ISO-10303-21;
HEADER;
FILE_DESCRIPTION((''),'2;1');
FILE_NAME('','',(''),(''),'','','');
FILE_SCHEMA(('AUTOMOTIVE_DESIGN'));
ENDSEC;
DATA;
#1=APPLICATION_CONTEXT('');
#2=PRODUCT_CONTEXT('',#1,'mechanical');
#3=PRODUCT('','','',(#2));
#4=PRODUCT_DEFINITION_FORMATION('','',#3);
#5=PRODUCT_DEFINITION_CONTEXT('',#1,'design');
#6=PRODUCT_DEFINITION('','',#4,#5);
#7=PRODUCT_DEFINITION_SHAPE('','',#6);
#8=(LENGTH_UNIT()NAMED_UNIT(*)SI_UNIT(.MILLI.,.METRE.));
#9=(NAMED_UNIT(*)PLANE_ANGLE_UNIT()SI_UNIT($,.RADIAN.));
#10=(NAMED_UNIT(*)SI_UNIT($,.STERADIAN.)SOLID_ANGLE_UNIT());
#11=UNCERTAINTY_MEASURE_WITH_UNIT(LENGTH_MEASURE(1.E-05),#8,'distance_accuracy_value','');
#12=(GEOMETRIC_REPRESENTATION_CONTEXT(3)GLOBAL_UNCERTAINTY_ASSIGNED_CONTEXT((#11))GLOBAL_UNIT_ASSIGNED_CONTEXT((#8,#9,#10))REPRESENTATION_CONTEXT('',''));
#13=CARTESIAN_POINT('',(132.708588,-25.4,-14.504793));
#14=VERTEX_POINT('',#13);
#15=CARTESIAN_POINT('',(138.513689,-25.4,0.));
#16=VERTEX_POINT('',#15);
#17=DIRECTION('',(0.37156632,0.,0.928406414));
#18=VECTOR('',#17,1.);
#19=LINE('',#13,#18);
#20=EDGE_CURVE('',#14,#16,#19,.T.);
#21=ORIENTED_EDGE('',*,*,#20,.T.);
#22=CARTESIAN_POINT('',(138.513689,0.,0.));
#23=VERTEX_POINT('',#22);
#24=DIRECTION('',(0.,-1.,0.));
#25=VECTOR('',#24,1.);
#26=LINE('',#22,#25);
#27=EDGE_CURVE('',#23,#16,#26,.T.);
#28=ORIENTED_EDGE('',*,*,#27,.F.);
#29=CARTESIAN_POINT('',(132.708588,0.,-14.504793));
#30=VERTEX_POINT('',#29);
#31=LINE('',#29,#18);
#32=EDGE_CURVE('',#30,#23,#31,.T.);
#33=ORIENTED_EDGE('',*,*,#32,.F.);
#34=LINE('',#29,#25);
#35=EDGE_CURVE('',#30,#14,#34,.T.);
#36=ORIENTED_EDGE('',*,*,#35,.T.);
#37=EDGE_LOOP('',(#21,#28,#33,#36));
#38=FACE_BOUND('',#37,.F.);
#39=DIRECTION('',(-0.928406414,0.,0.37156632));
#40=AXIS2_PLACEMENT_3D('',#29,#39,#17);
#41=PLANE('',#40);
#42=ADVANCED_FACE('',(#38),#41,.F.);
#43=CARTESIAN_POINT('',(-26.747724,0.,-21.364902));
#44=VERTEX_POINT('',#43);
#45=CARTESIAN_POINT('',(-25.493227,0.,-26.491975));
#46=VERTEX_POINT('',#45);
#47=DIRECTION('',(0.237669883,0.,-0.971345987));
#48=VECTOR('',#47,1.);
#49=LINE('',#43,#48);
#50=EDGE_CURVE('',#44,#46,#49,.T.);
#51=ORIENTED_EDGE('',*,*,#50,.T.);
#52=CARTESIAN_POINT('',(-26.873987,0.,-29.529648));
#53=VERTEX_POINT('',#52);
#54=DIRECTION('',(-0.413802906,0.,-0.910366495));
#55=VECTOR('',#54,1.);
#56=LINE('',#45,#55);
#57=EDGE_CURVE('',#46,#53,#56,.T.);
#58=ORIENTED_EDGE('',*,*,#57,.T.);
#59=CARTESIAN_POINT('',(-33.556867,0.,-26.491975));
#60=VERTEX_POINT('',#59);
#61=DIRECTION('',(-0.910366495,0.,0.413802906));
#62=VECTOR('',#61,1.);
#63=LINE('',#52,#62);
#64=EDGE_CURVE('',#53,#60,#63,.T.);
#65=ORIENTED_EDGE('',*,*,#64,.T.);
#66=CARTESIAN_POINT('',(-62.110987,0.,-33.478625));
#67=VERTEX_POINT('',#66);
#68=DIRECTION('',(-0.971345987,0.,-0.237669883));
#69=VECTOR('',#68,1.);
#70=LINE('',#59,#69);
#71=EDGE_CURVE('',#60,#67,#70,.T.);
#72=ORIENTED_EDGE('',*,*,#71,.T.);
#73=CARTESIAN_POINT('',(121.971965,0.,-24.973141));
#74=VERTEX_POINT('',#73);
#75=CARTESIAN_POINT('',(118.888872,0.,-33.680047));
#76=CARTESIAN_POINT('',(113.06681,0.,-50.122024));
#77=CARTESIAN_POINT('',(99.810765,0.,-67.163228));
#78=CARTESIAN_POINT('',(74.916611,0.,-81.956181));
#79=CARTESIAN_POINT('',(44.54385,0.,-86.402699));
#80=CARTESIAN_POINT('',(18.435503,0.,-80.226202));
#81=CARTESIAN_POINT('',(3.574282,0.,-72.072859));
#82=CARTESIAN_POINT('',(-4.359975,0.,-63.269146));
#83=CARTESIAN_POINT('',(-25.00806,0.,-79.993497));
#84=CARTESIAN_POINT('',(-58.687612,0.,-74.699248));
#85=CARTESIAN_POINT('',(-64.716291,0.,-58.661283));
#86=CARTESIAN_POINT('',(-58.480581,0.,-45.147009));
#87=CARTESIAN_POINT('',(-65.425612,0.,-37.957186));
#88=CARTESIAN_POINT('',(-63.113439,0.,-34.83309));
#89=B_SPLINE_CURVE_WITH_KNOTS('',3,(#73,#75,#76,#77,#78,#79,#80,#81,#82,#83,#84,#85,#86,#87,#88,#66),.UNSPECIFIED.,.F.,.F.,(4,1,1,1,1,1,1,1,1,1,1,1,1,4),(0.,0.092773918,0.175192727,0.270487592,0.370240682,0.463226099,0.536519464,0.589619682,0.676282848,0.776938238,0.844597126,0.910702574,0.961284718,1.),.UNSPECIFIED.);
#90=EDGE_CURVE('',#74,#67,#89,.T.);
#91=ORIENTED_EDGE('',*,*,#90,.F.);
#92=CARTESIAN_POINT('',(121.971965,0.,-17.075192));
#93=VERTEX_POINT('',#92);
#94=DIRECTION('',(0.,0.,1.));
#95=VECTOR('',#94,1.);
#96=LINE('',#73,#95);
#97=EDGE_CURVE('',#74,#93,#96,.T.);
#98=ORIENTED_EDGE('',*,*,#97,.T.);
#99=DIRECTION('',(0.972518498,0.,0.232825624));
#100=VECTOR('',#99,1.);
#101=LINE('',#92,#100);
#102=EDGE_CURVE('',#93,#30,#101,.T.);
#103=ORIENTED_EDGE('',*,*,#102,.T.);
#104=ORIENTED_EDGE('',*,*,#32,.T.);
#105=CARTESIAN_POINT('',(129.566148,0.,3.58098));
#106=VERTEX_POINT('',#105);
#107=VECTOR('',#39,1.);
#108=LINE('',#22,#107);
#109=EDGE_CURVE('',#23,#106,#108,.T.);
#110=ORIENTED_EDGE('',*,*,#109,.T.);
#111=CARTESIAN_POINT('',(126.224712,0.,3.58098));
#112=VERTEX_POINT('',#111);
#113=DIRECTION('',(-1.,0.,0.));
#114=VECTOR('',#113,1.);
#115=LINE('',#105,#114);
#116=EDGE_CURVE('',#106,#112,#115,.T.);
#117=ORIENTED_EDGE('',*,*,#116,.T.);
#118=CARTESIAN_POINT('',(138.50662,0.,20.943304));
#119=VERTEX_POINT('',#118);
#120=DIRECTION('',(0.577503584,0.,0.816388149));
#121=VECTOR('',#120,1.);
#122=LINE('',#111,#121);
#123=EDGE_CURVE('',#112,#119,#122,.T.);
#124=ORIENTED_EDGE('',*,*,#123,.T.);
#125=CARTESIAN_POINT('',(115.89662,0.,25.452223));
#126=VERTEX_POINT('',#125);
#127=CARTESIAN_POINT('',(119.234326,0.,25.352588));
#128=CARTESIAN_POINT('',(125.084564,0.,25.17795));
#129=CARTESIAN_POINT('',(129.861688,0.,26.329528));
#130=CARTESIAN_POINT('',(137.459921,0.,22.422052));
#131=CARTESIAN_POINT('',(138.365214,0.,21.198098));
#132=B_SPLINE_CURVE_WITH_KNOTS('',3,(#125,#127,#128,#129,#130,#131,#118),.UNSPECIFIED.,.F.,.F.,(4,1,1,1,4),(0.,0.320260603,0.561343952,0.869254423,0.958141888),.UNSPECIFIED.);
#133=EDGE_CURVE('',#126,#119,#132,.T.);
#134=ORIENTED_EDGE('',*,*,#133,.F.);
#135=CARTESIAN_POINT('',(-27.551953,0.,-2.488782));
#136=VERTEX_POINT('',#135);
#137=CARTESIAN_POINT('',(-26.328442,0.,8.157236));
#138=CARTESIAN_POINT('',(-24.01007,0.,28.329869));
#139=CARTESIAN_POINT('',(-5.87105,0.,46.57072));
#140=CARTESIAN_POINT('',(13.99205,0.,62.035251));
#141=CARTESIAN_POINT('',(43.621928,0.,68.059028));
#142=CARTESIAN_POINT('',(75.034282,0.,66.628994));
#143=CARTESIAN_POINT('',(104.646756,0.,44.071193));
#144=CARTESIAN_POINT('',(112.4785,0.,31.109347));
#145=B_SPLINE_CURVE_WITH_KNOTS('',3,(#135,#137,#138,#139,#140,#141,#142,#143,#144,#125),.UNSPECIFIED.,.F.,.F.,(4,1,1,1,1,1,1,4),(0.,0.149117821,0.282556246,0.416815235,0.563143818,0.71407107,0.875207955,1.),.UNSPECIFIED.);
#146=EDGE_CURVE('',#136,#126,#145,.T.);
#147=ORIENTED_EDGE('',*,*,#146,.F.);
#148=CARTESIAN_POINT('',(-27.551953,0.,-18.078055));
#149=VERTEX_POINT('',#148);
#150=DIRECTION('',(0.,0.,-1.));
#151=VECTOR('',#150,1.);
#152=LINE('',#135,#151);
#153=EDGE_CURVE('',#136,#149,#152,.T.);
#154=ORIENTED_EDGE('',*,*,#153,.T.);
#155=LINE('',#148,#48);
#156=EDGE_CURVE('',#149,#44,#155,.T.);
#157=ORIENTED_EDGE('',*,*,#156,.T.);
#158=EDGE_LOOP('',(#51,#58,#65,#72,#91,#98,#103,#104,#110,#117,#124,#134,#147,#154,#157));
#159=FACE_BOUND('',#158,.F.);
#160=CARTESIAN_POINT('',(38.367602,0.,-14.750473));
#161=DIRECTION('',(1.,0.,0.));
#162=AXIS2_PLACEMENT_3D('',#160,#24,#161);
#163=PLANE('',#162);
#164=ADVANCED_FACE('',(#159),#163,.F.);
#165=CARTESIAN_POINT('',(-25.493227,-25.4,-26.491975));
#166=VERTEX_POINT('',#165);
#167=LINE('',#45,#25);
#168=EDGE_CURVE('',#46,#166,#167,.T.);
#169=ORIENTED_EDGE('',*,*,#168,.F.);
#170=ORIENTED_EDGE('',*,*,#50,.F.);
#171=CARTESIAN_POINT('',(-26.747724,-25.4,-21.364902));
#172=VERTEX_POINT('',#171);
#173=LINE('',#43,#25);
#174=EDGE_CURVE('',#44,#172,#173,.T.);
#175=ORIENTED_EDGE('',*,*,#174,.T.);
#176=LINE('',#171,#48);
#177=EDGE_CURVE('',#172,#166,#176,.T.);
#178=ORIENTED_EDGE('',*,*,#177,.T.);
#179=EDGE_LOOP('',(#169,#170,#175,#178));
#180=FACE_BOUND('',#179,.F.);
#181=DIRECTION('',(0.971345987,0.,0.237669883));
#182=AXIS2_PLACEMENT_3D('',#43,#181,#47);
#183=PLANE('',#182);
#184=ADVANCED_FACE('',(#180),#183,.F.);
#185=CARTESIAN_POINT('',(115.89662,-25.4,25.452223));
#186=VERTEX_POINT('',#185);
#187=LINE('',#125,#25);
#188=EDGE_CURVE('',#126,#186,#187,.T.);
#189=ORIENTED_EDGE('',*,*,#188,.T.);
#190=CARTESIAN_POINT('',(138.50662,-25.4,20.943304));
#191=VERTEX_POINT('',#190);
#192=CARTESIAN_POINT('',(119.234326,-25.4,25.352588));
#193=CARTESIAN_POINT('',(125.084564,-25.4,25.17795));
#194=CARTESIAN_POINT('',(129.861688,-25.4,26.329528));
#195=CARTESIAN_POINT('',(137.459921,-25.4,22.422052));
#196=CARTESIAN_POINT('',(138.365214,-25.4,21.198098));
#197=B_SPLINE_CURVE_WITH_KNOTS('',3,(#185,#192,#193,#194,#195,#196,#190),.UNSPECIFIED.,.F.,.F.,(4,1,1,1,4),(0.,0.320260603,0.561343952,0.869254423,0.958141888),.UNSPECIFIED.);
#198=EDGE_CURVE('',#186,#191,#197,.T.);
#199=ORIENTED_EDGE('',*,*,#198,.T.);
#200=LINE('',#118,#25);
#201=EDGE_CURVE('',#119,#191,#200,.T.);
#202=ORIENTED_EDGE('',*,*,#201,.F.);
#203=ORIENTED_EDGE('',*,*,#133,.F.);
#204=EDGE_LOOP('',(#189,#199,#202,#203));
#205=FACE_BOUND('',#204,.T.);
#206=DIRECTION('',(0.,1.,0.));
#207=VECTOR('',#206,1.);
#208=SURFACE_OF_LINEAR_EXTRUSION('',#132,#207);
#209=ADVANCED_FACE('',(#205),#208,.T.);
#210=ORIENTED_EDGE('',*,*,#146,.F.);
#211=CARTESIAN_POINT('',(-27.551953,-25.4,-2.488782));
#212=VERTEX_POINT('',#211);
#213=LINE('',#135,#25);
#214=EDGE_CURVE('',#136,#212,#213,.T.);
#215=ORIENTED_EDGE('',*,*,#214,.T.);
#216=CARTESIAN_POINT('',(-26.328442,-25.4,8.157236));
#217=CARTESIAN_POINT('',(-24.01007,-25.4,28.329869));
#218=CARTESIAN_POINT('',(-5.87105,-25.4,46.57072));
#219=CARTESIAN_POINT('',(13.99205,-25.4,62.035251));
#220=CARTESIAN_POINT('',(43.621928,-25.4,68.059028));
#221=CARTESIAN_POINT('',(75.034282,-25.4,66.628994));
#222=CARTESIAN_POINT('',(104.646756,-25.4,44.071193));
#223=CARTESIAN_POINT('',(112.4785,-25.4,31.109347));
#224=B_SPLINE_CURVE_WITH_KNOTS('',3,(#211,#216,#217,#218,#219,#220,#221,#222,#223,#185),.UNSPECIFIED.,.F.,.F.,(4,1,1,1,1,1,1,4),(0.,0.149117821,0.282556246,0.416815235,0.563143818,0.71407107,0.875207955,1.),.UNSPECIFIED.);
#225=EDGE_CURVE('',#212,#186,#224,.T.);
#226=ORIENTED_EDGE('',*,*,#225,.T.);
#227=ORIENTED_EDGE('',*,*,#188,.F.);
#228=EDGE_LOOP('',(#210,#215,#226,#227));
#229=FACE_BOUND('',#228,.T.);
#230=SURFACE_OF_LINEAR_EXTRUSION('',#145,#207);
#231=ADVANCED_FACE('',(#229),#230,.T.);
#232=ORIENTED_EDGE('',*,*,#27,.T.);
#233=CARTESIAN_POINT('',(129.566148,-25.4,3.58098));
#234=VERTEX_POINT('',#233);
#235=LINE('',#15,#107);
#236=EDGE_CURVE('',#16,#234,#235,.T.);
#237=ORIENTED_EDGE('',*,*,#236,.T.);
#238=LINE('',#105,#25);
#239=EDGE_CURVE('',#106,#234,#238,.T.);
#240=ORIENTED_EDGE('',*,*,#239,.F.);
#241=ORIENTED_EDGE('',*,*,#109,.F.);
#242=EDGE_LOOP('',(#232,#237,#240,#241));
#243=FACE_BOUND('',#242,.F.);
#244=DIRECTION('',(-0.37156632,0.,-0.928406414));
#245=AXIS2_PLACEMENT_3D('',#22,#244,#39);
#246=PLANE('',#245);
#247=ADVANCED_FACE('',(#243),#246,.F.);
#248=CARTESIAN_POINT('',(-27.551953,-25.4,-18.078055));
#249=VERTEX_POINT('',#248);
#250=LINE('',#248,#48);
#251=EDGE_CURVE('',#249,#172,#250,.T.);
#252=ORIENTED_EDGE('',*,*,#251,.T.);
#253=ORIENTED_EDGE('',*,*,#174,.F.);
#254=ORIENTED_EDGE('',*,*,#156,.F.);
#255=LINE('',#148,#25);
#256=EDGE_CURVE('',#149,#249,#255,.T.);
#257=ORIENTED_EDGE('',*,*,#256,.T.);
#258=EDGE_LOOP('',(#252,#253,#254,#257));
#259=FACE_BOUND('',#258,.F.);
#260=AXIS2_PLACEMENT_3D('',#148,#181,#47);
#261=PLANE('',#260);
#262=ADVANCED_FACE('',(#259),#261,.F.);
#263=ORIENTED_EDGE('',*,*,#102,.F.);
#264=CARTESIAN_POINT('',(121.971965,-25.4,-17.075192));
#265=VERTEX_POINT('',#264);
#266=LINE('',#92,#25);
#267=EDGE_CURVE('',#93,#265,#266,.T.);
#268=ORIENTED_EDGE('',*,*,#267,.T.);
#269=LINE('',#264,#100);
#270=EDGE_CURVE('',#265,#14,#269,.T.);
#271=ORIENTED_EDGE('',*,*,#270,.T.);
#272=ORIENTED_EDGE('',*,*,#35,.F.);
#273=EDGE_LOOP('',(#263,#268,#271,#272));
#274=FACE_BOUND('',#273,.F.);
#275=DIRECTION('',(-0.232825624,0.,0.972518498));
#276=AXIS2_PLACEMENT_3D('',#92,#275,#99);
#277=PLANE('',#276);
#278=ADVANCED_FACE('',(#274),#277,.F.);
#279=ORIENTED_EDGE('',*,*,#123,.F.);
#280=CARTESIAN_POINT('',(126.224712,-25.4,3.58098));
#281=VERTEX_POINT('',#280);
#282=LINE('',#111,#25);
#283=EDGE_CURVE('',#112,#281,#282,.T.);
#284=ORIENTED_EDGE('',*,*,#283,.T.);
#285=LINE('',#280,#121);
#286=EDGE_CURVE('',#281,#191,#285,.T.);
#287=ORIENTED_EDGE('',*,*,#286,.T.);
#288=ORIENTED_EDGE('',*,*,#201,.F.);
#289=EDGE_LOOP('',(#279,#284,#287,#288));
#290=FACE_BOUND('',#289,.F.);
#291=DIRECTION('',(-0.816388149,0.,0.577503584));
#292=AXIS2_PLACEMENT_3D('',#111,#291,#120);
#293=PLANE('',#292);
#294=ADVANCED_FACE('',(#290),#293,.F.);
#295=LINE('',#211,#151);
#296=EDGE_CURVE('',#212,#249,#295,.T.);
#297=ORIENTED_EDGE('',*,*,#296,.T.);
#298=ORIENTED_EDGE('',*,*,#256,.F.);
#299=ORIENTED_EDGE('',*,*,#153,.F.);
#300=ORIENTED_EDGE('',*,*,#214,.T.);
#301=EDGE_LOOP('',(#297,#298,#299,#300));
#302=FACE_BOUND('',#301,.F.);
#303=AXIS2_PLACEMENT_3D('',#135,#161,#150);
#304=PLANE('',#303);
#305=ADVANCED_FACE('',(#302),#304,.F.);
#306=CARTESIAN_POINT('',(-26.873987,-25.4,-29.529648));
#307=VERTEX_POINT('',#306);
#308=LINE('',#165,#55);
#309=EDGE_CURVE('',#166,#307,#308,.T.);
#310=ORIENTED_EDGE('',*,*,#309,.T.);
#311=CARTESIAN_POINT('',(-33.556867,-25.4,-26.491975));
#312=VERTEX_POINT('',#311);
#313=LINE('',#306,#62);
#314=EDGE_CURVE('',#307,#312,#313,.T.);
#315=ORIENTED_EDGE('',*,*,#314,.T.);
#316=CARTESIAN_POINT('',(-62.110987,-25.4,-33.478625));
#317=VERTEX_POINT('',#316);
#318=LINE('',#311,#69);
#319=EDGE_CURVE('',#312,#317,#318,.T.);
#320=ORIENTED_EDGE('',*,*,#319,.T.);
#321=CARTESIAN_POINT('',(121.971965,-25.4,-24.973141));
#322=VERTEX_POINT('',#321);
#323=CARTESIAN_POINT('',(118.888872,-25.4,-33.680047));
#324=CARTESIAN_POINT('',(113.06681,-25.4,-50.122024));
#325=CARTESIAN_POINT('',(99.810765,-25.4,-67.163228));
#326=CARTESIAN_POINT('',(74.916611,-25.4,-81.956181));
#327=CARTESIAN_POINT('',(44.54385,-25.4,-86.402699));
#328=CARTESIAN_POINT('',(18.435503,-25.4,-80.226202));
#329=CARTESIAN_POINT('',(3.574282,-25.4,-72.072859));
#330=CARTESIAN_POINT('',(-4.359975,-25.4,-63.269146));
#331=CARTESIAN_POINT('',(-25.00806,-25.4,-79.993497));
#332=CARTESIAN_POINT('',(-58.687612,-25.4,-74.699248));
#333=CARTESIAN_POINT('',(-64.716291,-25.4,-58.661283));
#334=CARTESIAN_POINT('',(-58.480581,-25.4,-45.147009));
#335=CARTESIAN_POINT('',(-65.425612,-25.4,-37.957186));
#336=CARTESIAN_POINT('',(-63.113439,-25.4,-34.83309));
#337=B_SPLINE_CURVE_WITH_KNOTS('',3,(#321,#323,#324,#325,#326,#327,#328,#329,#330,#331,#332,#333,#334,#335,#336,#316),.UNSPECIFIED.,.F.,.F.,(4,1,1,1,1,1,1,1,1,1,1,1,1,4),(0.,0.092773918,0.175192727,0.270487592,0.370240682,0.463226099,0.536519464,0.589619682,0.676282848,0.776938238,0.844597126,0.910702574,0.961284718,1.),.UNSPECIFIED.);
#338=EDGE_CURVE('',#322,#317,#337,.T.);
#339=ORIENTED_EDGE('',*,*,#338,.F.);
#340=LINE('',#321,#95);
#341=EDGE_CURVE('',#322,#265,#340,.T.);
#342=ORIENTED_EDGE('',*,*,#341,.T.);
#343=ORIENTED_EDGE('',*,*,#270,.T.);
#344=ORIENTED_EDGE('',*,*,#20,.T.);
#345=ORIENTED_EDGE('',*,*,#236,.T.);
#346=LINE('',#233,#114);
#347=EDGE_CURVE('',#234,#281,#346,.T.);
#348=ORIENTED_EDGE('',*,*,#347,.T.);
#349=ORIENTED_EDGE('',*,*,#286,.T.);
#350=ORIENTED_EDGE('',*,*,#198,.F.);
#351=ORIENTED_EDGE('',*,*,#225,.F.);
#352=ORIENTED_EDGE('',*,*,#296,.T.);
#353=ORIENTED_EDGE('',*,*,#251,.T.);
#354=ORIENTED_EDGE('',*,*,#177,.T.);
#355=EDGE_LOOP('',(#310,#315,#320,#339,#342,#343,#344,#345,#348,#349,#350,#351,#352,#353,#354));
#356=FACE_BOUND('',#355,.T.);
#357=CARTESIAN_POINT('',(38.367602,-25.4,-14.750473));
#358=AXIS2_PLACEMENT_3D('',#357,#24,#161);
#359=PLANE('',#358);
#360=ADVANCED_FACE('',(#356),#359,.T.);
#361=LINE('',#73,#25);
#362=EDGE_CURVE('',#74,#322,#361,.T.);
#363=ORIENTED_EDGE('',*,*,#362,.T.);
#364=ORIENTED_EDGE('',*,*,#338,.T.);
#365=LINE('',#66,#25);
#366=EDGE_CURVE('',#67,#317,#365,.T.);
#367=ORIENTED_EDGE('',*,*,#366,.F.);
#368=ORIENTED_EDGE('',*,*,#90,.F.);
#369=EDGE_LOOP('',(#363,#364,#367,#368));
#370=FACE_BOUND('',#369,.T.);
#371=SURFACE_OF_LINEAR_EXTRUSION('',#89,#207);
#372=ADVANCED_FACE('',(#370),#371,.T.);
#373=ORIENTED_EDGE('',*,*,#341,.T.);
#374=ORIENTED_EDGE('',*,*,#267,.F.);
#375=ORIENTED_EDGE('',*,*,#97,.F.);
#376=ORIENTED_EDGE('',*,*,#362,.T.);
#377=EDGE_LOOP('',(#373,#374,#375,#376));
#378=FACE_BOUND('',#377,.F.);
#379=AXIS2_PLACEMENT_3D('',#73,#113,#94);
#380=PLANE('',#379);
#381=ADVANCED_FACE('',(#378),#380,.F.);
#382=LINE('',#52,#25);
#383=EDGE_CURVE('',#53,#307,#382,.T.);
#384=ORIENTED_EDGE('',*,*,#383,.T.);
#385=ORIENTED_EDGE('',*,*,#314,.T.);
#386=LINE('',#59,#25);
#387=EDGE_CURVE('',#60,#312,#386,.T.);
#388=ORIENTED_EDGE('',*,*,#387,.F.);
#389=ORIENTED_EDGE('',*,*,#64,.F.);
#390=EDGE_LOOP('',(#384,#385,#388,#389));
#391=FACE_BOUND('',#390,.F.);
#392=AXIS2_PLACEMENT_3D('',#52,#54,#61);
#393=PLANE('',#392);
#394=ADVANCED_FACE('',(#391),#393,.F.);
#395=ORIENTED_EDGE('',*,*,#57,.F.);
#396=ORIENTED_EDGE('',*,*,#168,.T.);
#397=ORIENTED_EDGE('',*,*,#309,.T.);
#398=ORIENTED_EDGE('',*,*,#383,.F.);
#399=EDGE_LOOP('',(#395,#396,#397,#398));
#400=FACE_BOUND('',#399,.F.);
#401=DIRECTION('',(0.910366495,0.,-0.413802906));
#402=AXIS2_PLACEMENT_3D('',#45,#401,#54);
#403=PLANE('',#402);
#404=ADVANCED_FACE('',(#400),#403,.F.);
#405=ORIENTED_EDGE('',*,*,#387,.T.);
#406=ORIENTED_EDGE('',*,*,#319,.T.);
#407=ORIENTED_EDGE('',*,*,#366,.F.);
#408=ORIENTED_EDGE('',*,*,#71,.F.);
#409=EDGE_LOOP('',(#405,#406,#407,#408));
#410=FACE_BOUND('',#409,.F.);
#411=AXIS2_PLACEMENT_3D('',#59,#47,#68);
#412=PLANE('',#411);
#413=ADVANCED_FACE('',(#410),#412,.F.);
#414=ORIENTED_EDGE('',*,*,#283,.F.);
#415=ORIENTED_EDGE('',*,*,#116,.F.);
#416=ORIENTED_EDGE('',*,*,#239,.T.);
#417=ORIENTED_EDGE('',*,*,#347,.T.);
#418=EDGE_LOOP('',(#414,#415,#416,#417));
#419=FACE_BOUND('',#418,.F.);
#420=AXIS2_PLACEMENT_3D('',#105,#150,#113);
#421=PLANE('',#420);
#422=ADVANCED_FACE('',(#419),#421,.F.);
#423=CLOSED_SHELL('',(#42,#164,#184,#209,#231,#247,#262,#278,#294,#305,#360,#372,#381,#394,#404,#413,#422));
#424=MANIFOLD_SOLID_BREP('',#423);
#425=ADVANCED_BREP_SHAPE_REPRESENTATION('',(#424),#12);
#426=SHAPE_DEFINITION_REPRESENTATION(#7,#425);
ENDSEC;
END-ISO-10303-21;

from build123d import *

# Parameters (mm, degrees)
F1_DEPTH = 25.4


with BuildPart() as f1:
    # F0 (on Front) → F1 (new body)
    with BuildSketch(Plane.XZ):
        with BuildLine():
            Line((-33.5568673909, -26.4919754118), (-62.1109865606, -33.4786251187))
            add(Edge.make_bspline(
                [(121.9719648361, -24.9731410295), (118.8888716336, -33.6800472384), (113.0668096008, -50.1220244127), (99.8107652161, -67.163228392), (74.9166113323, -81.9561806249), (44.5438500124, -86.4026994898), (18.4355029448, -80.226202429), (3.5742816523, -72.0728590252), (-4.3599753831, -63.2691463233), (-25.008059967, -79.9934972864), (-58.6876117681, -74.6992475868), (-64.7162908846, -58.6612832523), (-58.4805814435, -45.1470085157), (-65.4256117845, -37.9571861745), (-63.113438997, -34.8330902961), (-62.1109865606, -33.4786251187)],
                knots=[0, 0, 0, 0, 0.0927739179, 0.1751927267, 0.2704875921, 0.3702406824, 0.4632260988, 0.5365194638, 0.5896196825, 0.6762828483, 0.7769382379, 0.8445971258, 0.9107025741, 0.9612847177, 1, 1, 1, 1], degree=3))
            Line((121.9719648361, -24.9731410295), (121.9719648361, -17.0751921833))
            Line((121.9719648361, -17.0751921833), (132.7085883341, -14.5047926825))
            Line((132.7085883341, -14.5047926825), (138.5136887208, 0))
            Line((138.5136887208, 0), (129.5661479235, 3.5809800029))
            Line((129.5661479235, 3.5809800029), (126.2247115374, 3.5809800029))
            Line((126.2247115374, 3.5809800029), (138.5066197756, 20.943304009))
            add(Edge.make_bspline(
                [(115.8966198564, 25.4522226751), (119.2343256211, 25.3525877105), (125.0845642228, 25.1779502927), (129.8616876262, 26.3295278083), (137.4599209641, 22.4220521195), (138.3652135784, 21.1980978436), (138.5066197756, 20.943304009)],
                knots=[0, 0, 0, 0, 0.3202606034, 0.5613439519, 0.8692544234, 0.9581418879, 0.9581418879, 0.9581418879, 0.9581418879], degree=3))
            add(Edge.make_bspline(
                [(-27.5519533987, -2.4887824465), (-26.3284423183, 8.1572361622), (-24.0100695315, 28.3298690275), (-5.8710498168, 46.5707201572), (13.9920502046, 62.035250946), (43.6219284337, 68.0590277037), (75.0342820705, 66.628994075), (104.6467559069, 44.0711933851), (112.478499983, 31.1093465383), (115.8966198564, 25.4522226751)],
                knots=[0, 0, 0, 0, 0.1491178208, 0.282556246, 0.4168152346, 0.5631438179, 0.7140710702, 0.8752079552, 1, 1, 1, 1], degree=3))
            Line((-27.5519533987, -2.4887824465), (-27.5519533987, -11.6073824465))
            Line((-27.5519533987, -11.6073824465), (-27.5519533987, -18.0780547839))
            Line((-27.5519533987, -18.0780547839), (-26.7477244381, -21.3649019199))
            Line((-26.7477244381, -21.3649019199), (-25.4932270993, -26.4919754118))
            Line((-25.4932270993, -26.4919754118), (-26.8739871681, -29.5296479017))
            Line((-26.8739871681, -29.5296479017), (-33.5568673909, -26.4919754118))
        make_face()
    extrude(amount=F1_DEPTH)


solid = f1.part
